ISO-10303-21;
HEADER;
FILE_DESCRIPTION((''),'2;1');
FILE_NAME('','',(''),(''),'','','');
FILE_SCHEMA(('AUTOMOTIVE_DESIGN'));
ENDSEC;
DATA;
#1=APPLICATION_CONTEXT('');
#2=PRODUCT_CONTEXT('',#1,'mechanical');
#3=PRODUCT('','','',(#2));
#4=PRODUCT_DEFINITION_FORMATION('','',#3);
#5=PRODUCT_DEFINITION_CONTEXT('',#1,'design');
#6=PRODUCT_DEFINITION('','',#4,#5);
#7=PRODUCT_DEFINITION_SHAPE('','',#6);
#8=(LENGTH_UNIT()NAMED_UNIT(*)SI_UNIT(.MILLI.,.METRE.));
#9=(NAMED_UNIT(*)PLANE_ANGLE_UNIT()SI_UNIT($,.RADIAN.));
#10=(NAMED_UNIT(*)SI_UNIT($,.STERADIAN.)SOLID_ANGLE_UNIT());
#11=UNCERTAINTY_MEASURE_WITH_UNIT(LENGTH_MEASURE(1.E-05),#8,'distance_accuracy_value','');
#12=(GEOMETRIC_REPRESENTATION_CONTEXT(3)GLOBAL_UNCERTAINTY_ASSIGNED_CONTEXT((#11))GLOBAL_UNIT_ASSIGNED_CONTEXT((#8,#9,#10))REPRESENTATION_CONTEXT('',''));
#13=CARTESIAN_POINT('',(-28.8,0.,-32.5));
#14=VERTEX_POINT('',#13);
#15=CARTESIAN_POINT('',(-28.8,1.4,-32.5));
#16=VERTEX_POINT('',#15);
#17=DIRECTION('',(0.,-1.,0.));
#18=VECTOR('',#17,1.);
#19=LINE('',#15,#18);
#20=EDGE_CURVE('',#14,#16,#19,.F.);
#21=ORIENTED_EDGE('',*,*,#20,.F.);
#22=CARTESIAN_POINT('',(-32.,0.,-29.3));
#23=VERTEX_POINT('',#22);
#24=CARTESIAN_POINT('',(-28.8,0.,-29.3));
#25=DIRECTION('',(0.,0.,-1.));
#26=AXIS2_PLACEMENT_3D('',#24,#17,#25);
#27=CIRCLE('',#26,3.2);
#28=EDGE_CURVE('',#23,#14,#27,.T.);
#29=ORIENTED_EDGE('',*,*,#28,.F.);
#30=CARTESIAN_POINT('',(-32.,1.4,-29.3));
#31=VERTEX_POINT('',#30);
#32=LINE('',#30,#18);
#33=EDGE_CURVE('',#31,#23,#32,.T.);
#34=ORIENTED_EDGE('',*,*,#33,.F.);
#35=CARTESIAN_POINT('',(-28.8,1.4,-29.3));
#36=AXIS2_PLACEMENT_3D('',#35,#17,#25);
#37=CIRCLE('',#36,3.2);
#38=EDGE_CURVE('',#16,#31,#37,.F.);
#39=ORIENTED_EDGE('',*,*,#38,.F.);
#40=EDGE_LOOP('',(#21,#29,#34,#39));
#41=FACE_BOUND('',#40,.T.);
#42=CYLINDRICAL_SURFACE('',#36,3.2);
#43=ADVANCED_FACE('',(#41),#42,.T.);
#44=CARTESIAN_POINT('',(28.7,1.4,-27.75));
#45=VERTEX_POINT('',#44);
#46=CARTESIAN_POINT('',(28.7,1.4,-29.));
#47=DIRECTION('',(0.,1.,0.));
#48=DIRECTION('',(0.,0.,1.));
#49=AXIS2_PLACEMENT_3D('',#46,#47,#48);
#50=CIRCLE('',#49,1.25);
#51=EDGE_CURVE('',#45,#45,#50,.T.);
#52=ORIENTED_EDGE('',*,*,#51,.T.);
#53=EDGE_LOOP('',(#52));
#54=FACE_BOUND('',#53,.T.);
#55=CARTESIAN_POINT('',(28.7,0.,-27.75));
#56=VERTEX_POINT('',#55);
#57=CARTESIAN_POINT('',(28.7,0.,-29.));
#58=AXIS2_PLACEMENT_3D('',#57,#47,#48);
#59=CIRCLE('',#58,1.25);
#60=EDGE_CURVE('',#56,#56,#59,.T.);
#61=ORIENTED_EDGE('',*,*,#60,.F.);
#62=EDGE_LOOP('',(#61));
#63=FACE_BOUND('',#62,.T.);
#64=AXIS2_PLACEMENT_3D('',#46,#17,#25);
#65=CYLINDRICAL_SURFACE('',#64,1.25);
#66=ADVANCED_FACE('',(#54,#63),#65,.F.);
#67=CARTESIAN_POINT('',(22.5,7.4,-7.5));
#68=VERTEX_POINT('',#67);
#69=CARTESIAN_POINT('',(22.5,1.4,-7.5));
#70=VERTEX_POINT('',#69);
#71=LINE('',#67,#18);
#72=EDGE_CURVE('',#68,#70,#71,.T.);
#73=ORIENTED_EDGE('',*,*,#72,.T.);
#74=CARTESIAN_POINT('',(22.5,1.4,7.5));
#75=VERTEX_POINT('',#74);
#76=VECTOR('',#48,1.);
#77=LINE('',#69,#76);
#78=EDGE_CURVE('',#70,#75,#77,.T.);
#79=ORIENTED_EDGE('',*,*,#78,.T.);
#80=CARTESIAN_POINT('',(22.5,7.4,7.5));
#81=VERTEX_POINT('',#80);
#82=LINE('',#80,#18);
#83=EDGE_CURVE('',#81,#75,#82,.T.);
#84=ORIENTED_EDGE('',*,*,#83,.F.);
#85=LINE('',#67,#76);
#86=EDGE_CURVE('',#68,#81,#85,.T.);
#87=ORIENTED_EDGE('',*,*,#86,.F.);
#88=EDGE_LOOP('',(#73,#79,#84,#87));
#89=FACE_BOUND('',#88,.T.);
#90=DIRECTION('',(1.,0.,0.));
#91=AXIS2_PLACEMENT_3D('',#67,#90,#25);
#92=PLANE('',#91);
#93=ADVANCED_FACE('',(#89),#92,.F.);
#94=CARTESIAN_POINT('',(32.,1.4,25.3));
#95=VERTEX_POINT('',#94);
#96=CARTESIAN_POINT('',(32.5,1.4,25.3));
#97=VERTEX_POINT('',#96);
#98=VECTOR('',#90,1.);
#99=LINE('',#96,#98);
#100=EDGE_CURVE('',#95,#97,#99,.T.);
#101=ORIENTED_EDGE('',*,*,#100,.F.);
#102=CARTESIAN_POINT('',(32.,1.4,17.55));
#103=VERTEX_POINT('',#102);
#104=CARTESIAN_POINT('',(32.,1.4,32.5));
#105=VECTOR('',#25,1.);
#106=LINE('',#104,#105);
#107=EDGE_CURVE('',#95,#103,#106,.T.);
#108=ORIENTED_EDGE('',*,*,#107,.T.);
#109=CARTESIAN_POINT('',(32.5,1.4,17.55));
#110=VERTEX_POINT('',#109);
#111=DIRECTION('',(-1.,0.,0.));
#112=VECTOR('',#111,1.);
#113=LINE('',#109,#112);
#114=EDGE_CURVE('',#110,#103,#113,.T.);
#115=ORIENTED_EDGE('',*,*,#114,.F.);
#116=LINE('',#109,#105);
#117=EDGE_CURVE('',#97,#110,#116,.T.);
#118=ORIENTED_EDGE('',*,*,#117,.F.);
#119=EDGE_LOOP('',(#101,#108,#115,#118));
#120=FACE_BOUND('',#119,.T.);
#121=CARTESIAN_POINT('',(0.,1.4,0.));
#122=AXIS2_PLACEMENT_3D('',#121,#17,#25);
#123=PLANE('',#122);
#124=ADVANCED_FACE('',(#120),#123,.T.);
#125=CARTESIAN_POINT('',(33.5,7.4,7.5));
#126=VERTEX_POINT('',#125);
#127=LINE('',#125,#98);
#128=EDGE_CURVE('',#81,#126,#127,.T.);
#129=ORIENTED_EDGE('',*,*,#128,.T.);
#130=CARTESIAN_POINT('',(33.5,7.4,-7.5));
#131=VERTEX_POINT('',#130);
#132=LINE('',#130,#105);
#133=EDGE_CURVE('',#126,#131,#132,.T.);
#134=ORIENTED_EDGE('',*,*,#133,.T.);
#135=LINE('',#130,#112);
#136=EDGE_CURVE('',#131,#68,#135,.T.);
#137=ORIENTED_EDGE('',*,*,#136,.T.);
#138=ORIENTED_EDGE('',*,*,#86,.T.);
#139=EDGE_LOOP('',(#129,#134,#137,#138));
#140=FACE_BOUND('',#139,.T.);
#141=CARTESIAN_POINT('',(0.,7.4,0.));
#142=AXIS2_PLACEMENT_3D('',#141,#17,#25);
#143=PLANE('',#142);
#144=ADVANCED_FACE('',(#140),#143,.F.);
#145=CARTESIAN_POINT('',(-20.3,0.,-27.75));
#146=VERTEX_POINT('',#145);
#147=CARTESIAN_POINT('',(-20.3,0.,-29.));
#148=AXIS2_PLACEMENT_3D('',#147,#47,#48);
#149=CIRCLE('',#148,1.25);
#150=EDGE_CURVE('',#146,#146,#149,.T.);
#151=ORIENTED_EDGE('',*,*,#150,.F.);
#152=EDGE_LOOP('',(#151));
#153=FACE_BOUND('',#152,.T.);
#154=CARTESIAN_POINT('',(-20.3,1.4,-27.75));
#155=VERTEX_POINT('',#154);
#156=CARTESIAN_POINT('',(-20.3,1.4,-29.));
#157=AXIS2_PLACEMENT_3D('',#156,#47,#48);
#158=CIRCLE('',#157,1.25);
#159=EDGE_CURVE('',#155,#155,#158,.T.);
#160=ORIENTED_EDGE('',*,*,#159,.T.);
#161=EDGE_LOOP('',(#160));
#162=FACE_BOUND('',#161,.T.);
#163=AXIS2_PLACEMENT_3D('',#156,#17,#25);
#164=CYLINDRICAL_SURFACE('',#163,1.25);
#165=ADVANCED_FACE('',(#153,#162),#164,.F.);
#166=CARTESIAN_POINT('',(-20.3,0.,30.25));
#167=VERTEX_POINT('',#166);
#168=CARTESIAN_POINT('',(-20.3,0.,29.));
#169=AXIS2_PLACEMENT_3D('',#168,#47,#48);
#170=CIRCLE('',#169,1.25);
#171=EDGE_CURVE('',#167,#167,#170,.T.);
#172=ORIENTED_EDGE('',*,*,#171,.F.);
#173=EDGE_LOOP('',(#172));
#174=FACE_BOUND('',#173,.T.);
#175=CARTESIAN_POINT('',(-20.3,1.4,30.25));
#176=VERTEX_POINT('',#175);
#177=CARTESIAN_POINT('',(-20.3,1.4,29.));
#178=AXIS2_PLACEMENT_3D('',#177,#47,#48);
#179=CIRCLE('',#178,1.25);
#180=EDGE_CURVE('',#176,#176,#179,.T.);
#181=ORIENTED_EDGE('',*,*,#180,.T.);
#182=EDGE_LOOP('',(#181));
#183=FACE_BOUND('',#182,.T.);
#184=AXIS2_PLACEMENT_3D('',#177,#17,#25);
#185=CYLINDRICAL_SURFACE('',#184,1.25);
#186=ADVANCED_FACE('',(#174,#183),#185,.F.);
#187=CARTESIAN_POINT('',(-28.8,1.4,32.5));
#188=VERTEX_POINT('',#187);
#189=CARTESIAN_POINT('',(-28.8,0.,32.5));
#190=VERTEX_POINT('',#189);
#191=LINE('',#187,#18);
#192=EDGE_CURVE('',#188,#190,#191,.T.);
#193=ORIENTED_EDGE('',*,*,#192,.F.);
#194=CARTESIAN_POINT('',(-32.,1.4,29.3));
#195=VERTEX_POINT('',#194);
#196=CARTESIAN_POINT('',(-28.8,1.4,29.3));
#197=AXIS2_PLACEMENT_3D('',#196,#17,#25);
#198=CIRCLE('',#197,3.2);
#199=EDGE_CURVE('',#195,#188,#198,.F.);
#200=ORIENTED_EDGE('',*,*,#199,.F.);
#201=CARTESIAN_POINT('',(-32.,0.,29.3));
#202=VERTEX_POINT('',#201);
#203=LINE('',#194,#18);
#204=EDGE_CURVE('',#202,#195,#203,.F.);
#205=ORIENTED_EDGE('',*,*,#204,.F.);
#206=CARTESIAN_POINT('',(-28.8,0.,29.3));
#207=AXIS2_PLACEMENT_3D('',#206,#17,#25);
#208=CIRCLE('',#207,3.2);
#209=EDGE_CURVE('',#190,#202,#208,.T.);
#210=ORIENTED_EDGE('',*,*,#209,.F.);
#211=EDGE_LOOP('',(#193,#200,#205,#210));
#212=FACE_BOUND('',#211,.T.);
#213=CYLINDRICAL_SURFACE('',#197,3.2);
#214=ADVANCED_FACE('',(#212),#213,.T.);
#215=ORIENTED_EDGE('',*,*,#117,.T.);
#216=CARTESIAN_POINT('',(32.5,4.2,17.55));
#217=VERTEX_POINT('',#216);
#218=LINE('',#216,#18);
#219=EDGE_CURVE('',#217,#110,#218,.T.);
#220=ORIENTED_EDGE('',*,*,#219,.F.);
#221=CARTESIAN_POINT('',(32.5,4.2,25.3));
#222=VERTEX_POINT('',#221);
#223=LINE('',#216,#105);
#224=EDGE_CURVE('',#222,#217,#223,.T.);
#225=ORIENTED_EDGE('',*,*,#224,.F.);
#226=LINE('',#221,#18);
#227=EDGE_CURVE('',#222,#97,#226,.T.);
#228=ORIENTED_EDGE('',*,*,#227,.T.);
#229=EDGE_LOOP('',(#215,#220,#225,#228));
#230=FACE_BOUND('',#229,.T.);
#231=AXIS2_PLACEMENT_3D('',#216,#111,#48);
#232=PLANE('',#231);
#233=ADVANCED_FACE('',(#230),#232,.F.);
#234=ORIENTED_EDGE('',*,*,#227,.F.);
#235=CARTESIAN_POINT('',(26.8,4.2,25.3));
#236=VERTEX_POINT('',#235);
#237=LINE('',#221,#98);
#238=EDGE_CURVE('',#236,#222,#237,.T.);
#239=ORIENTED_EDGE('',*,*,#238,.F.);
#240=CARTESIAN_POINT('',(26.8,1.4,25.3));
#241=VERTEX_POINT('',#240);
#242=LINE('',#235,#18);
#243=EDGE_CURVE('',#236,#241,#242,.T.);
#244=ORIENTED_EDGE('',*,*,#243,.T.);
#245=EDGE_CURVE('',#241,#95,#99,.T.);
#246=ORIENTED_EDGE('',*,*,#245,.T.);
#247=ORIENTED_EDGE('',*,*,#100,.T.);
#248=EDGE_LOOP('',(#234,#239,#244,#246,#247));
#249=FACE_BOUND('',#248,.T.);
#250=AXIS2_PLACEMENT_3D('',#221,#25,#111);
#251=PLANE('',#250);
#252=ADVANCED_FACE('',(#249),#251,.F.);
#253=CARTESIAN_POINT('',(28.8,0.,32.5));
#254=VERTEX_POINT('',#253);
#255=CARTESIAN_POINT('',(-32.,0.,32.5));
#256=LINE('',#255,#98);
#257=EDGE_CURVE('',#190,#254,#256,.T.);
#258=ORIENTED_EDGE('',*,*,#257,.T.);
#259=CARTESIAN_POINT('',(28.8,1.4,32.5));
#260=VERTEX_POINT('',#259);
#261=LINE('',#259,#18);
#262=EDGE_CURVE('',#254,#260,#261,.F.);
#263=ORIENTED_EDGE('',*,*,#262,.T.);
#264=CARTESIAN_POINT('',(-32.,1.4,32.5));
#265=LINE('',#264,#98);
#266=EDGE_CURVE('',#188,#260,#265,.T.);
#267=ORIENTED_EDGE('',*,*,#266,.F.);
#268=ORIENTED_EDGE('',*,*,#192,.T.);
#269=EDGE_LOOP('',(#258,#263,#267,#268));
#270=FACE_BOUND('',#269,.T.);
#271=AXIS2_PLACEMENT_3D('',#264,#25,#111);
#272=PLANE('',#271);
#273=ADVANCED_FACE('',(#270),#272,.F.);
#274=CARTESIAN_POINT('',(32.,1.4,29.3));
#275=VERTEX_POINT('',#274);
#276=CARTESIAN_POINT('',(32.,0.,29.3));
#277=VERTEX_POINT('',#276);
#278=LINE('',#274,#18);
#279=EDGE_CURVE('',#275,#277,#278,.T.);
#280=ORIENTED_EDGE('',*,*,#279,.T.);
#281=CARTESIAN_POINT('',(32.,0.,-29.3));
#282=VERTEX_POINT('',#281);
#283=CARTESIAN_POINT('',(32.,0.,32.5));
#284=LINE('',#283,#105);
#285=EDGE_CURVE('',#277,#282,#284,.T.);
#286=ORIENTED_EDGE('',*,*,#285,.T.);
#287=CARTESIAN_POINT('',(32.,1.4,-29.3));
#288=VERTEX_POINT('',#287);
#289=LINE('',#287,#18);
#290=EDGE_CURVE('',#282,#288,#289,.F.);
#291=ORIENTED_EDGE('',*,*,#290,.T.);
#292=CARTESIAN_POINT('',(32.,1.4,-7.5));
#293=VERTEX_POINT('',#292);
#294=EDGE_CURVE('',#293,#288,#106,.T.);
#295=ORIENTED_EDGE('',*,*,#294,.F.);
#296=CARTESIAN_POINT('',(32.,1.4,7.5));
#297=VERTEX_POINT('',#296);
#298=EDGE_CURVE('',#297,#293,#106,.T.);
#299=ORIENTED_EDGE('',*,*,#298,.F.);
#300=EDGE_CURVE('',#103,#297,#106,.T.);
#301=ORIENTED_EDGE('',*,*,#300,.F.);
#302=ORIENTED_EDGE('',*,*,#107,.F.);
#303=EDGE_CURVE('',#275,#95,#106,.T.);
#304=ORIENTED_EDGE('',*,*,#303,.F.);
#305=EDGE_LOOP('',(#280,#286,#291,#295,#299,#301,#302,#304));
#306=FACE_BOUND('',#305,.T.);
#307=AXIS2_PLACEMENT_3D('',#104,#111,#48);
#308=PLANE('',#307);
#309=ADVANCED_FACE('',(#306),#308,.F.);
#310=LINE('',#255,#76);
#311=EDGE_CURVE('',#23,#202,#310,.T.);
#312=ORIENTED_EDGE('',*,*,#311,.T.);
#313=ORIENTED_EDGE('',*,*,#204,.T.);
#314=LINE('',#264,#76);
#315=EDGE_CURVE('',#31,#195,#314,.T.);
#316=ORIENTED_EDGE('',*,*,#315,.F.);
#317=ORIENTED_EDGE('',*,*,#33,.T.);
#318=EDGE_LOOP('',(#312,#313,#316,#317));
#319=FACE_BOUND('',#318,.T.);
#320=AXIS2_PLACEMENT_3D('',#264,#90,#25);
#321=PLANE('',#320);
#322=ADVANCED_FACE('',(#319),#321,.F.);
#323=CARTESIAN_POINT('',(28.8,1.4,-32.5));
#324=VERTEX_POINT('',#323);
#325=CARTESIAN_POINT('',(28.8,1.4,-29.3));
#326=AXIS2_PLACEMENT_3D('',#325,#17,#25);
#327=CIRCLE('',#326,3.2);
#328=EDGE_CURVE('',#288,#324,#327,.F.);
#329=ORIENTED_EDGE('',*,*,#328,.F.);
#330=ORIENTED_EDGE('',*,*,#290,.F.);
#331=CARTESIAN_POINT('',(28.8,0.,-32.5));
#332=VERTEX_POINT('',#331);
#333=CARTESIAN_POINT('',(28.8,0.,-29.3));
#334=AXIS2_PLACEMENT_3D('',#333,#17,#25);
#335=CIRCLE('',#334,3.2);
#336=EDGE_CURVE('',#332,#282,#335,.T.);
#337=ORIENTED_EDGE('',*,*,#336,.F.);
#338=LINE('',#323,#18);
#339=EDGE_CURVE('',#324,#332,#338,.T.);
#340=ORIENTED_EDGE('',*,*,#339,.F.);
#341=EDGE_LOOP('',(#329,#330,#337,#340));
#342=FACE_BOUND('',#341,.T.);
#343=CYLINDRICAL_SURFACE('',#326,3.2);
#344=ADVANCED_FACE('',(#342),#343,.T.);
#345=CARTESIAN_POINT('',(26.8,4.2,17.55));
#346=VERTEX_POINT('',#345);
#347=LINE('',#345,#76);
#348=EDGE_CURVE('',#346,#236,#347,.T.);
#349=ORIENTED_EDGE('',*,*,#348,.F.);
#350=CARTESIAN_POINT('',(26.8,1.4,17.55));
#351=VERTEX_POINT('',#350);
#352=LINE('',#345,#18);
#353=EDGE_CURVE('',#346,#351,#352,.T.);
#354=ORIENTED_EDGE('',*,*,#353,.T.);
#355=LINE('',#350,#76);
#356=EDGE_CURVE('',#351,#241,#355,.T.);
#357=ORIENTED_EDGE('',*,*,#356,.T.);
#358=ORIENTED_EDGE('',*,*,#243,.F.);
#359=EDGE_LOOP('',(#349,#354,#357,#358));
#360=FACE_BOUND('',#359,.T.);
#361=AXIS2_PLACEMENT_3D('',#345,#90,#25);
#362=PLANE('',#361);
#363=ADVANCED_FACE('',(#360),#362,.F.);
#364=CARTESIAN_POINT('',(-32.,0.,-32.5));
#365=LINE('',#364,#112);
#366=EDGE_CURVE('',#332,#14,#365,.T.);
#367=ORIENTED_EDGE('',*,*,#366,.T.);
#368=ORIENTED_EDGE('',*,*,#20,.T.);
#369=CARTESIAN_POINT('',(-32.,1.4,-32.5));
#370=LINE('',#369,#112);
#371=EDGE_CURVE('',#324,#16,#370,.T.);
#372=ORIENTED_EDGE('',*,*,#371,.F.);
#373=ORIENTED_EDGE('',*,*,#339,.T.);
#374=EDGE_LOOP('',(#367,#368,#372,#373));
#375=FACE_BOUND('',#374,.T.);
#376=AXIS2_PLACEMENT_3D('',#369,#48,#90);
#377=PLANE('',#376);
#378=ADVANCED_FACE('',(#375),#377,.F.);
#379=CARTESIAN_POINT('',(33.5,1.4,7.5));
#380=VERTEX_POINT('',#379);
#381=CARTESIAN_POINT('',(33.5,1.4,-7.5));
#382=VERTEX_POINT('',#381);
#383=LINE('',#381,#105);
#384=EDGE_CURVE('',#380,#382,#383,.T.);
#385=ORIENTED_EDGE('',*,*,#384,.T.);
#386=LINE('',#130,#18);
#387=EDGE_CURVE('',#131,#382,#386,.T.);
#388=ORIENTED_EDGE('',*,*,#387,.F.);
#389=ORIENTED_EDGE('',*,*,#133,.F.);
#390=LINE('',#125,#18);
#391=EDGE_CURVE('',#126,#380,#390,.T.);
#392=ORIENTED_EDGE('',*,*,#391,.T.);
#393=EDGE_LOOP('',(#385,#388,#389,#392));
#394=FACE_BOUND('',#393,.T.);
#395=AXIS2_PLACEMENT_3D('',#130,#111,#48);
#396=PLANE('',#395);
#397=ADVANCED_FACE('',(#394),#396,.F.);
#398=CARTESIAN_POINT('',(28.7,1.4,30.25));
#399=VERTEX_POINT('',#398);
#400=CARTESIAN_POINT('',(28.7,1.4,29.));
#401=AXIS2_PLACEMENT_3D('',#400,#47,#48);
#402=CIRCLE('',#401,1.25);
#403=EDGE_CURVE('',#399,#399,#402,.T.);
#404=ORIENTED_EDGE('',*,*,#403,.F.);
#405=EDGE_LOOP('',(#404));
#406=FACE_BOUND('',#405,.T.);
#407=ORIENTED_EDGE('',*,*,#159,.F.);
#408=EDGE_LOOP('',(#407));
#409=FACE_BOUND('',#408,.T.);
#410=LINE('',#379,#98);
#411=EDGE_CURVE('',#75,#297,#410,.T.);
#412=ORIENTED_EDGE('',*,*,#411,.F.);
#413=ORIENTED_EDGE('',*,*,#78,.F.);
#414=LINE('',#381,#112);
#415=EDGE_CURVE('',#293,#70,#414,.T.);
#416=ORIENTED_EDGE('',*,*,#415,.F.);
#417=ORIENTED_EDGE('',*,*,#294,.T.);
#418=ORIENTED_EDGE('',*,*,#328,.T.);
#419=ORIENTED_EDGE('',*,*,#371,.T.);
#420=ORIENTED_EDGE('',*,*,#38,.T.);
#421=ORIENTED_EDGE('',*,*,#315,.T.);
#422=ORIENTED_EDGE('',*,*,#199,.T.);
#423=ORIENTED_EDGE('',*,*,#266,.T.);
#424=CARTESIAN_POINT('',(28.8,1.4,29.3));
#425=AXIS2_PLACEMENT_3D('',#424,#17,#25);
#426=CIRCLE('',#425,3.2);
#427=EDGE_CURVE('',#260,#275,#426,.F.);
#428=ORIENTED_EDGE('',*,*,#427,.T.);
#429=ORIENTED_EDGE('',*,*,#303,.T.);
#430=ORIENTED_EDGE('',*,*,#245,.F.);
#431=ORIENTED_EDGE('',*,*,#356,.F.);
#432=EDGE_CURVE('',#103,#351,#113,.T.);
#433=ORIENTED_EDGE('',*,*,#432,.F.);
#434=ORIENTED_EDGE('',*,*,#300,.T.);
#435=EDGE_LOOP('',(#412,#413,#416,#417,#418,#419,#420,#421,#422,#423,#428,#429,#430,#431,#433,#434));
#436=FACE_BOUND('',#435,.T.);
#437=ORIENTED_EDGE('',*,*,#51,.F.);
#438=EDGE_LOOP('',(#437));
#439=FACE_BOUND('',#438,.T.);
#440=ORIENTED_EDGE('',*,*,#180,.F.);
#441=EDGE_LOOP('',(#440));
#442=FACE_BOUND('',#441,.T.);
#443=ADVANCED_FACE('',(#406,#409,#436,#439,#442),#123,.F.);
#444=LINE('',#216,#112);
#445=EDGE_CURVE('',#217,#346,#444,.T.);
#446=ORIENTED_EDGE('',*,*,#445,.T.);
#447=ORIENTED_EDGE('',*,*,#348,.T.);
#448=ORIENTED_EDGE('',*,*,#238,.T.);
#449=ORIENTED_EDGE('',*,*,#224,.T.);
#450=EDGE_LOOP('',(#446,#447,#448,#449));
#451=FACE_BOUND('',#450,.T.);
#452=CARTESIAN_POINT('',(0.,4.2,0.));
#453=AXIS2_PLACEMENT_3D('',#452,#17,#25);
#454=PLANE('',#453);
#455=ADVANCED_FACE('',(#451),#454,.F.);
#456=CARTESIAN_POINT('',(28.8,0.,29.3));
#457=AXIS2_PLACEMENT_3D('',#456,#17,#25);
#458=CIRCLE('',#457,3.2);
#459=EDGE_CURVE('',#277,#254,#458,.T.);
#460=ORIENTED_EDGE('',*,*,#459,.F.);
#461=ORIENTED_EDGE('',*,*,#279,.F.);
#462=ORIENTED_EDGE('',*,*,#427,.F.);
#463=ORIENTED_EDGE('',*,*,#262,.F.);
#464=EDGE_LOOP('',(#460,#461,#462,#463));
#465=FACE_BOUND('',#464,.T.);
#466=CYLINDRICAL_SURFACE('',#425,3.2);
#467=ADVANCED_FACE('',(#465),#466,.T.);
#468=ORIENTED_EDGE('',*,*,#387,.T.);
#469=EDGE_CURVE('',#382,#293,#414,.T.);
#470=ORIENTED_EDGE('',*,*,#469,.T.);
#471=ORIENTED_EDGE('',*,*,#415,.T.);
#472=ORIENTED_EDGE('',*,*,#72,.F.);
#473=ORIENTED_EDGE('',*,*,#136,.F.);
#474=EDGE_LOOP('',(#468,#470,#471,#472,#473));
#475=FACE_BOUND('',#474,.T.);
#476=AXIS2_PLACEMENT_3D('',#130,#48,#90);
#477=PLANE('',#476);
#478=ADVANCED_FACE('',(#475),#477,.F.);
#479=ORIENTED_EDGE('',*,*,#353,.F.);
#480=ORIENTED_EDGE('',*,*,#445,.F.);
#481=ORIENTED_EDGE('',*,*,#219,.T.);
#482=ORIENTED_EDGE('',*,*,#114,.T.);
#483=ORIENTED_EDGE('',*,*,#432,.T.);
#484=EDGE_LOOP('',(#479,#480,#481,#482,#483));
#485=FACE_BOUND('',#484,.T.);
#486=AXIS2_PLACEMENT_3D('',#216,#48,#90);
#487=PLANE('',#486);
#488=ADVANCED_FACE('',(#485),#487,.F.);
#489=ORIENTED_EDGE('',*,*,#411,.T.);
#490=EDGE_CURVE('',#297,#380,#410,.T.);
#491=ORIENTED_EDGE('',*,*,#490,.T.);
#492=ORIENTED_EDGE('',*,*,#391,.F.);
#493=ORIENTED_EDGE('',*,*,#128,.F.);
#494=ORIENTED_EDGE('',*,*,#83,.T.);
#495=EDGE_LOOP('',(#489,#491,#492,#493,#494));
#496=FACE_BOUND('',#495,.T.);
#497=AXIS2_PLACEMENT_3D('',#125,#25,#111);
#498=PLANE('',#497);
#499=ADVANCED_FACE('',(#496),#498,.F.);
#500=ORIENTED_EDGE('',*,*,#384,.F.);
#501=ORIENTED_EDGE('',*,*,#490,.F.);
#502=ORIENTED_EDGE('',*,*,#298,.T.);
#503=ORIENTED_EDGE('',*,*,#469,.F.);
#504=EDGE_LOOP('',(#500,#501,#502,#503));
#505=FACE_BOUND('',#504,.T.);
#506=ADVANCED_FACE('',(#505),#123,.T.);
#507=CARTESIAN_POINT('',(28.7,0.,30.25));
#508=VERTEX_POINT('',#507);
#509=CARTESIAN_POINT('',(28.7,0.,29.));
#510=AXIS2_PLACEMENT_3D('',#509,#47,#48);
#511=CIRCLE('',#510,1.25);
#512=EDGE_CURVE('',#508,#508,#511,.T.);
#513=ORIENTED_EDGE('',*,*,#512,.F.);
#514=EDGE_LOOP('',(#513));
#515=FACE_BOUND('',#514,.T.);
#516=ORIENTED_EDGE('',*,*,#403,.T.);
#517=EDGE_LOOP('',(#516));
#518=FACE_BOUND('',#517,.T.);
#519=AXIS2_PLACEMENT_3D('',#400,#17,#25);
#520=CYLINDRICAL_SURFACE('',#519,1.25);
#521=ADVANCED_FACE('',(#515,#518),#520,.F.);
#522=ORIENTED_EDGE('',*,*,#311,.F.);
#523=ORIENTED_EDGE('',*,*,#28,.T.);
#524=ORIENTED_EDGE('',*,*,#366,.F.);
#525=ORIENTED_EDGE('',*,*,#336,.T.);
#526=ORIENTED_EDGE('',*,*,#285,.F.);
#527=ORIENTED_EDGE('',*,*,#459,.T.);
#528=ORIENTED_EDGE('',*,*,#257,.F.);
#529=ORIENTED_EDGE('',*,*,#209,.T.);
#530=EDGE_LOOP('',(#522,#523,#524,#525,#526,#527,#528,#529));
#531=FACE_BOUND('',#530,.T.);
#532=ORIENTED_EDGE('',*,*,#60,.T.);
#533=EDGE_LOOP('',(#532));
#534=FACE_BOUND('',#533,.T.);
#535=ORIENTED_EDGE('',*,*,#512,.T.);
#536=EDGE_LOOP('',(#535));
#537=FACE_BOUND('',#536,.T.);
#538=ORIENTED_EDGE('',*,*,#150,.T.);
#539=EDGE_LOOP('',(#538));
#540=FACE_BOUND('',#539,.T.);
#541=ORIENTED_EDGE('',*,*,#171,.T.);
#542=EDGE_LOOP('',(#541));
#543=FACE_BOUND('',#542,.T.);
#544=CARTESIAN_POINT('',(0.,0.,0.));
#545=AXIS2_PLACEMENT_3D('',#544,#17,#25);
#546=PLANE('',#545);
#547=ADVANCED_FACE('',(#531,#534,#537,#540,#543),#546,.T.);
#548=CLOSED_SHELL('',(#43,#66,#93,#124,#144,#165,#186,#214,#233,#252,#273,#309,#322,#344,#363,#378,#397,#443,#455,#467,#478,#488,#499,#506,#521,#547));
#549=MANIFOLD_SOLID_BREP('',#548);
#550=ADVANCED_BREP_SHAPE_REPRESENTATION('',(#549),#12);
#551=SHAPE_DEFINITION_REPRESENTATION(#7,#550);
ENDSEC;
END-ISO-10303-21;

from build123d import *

# Parameters (mm, degrees)
SKETCH1_W           = 64
SKETCH1_H           = 65
SKETCH1_R           = 1.25
BOSS_EXTRUDE1_DEPTH = 1.4
SKETCH2_W           = 11
SKETCH2_H           = 15
BOSS_EXTRUDE2_DEPTH = 6
SKETCH3_W           = 5.7
SKETCH3_H           = 7.75
BOSS_EXTRUDE3_DEPTH = 2.8
FILLET1_R           = 3.2


with BuildPart() as part:
    # Sketch1 → Boss-Extrude1 (new body)
    with BuildSketch(Plane(origin=(0, 0, 0), x_dir=(1, 0, 0), z_dir=(0, 1, 0))):
        Rectangle(SKETCH1_W, SKETCH1_H)
        with Locations(Location((28.7, -29, 0), (0, 0, 270))):
            Circle(SKETCH1_R, mode=Mode.SUBTRACT)
        with Locations(Location((-20.3, -29, 0), (0, 0, 270))):
            Circle(SKETCH1_R, mode=Mode.SUBTRACT)
        with Locations(Location((-20.3, 29, 0), (0, 0, 270))):
            Circle(SKETCH1_R, mode=Mode.SUBTRACT)
        with Locations(Location((28.7, 29, 0), (0, 0, 270))):
            Circle(SKETCH1_R, mode=Mode.SUBTRACT)
    extrude(amount=BOSS_EXTRUDE1_DEPTH)

    # Sketch2 → Boss-Extrude2 (add)
    with BuildSketch(Plane(origin=(0, 1.4, 0), x_dir=(1, 0, 0), z_dir=(0, 1, 0))):
        with Locations((28, 0)):
            Rectangle(SKETCH2_W, SKETCH2_H)
    extrude(amount=BOSS_EXTRUDE2_DEPTH)

    # Sketch3 → Boss-Extrude3 (add)
    with BuildSketch(Plane(origin=(0, 1.4, 0), x_dir=(1, 0, 0), z_dir=(0, 1, 0))):
        with Locations((29.65, -21.425)):
            Rectangle(SKETCH3_W, SKETCH3_H)
    extrude(amount=BOSS_EXTRUDE3_DEPTH)

    # Fillet1
    fillet1_edges = [part.edges().sort_by_distance(p)[0] for p in [
        (32, 0.7, 32.5),
        (-32, 0.7, 32.5),
        (-32, 0.7, -32.5),
        (32, 0.7, -32.5),
    ]]
    fillet(fillet1_edges, radius=FILLET1_R)


solid = part.part
